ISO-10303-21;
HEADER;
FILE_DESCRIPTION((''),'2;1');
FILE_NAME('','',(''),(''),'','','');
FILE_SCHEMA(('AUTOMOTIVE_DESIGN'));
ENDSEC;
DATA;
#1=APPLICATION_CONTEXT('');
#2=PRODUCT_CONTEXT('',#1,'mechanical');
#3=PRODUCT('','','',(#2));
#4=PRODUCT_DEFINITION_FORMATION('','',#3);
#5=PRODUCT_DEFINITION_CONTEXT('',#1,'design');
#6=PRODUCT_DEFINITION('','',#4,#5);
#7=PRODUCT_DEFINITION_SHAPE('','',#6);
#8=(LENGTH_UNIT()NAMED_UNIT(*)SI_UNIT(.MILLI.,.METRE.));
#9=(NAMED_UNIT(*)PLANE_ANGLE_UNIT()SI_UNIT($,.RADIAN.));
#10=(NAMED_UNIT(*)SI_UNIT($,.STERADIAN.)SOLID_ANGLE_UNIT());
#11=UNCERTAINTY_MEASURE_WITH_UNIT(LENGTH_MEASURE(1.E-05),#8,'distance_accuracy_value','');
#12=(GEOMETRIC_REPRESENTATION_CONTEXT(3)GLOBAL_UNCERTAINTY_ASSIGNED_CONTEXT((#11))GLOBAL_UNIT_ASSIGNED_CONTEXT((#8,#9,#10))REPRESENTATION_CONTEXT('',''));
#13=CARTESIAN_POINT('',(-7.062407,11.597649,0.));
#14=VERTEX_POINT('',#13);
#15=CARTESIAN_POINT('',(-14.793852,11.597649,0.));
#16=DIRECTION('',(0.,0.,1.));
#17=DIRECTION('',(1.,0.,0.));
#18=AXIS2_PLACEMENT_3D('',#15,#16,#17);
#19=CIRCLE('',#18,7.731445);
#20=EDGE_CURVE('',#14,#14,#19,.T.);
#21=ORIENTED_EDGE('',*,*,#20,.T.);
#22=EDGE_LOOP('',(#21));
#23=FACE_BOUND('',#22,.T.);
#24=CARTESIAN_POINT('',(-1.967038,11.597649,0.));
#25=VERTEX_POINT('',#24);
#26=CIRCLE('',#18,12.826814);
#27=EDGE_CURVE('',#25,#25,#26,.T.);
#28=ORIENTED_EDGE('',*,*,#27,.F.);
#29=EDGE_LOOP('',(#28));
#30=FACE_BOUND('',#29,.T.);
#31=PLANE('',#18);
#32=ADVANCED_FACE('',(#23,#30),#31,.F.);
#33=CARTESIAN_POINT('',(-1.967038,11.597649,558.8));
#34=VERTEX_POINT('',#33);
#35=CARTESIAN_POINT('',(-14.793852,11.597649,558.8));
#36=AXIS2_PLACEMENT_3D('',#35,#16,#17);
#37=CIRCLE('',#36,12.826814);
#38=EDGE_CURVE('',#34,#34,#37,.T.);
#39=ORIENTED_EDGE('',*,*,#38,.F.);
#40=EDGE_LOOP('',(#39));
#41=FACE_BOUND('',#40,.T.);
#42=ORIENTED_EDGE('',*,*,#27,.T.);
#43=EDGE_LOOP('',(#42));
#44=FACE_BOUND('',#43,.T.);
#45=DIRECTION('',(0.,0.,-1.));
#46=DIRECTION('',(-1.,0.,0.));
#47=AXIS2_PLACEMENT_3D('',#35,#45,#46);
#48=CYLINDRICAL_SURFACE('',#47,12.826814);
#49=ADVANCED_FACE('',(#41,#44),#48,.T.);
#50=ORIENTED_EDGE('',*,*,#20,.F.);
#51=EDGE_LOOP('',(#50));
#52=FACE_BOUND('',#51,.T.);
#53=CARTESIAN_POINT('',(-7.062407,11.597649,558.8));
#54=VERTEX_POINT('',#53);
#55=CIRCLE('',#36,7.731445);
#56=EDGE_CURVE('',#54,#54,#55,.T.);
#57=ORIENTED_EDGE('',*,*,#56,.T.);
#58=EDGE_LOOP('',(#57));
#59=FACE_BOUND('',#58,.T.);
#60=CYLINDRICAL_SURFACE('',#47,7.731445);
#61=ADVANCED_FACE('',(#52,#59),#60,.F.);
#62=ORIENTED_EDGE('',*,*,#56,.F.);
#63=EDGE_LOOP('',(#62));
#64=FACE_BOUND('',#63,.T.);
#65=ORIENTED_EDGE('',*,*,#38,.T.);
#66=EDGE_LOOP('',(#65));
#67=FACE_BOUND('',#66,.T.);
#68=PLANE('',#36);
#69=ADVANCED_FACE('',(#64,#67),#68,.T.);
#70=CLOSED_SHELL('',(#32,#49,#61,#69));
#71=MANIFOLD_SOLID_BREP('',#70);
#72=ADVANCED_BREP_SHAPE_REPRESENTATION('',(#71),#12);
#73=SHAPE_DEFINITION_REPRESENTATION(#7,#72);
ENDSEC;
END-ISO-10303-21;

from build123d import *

# Parameters (mm, degrees)
SKETCH1_R           = 12.826813773
SKETCH1_R_2         = 7.731445382
BOSS_EXTRUDE1_DEPTH = 558.8


with BuildPart() as part:
    # Sketch1 → Boss-Extrude1 (new body)
    with BuildSketch(Plane.XY):
        with Locations((-14.793851931, 11.597649353)):
            Circle(SKETCH1_R)
        with Locations((-14.793851931, 11.597649353)):
            Circle(SKETCH1_R_2, mode=Mode.SUBTRACT)
    extrude(amount=BOSS_EXTRUDE1_DEPTH)


solid = part.part
